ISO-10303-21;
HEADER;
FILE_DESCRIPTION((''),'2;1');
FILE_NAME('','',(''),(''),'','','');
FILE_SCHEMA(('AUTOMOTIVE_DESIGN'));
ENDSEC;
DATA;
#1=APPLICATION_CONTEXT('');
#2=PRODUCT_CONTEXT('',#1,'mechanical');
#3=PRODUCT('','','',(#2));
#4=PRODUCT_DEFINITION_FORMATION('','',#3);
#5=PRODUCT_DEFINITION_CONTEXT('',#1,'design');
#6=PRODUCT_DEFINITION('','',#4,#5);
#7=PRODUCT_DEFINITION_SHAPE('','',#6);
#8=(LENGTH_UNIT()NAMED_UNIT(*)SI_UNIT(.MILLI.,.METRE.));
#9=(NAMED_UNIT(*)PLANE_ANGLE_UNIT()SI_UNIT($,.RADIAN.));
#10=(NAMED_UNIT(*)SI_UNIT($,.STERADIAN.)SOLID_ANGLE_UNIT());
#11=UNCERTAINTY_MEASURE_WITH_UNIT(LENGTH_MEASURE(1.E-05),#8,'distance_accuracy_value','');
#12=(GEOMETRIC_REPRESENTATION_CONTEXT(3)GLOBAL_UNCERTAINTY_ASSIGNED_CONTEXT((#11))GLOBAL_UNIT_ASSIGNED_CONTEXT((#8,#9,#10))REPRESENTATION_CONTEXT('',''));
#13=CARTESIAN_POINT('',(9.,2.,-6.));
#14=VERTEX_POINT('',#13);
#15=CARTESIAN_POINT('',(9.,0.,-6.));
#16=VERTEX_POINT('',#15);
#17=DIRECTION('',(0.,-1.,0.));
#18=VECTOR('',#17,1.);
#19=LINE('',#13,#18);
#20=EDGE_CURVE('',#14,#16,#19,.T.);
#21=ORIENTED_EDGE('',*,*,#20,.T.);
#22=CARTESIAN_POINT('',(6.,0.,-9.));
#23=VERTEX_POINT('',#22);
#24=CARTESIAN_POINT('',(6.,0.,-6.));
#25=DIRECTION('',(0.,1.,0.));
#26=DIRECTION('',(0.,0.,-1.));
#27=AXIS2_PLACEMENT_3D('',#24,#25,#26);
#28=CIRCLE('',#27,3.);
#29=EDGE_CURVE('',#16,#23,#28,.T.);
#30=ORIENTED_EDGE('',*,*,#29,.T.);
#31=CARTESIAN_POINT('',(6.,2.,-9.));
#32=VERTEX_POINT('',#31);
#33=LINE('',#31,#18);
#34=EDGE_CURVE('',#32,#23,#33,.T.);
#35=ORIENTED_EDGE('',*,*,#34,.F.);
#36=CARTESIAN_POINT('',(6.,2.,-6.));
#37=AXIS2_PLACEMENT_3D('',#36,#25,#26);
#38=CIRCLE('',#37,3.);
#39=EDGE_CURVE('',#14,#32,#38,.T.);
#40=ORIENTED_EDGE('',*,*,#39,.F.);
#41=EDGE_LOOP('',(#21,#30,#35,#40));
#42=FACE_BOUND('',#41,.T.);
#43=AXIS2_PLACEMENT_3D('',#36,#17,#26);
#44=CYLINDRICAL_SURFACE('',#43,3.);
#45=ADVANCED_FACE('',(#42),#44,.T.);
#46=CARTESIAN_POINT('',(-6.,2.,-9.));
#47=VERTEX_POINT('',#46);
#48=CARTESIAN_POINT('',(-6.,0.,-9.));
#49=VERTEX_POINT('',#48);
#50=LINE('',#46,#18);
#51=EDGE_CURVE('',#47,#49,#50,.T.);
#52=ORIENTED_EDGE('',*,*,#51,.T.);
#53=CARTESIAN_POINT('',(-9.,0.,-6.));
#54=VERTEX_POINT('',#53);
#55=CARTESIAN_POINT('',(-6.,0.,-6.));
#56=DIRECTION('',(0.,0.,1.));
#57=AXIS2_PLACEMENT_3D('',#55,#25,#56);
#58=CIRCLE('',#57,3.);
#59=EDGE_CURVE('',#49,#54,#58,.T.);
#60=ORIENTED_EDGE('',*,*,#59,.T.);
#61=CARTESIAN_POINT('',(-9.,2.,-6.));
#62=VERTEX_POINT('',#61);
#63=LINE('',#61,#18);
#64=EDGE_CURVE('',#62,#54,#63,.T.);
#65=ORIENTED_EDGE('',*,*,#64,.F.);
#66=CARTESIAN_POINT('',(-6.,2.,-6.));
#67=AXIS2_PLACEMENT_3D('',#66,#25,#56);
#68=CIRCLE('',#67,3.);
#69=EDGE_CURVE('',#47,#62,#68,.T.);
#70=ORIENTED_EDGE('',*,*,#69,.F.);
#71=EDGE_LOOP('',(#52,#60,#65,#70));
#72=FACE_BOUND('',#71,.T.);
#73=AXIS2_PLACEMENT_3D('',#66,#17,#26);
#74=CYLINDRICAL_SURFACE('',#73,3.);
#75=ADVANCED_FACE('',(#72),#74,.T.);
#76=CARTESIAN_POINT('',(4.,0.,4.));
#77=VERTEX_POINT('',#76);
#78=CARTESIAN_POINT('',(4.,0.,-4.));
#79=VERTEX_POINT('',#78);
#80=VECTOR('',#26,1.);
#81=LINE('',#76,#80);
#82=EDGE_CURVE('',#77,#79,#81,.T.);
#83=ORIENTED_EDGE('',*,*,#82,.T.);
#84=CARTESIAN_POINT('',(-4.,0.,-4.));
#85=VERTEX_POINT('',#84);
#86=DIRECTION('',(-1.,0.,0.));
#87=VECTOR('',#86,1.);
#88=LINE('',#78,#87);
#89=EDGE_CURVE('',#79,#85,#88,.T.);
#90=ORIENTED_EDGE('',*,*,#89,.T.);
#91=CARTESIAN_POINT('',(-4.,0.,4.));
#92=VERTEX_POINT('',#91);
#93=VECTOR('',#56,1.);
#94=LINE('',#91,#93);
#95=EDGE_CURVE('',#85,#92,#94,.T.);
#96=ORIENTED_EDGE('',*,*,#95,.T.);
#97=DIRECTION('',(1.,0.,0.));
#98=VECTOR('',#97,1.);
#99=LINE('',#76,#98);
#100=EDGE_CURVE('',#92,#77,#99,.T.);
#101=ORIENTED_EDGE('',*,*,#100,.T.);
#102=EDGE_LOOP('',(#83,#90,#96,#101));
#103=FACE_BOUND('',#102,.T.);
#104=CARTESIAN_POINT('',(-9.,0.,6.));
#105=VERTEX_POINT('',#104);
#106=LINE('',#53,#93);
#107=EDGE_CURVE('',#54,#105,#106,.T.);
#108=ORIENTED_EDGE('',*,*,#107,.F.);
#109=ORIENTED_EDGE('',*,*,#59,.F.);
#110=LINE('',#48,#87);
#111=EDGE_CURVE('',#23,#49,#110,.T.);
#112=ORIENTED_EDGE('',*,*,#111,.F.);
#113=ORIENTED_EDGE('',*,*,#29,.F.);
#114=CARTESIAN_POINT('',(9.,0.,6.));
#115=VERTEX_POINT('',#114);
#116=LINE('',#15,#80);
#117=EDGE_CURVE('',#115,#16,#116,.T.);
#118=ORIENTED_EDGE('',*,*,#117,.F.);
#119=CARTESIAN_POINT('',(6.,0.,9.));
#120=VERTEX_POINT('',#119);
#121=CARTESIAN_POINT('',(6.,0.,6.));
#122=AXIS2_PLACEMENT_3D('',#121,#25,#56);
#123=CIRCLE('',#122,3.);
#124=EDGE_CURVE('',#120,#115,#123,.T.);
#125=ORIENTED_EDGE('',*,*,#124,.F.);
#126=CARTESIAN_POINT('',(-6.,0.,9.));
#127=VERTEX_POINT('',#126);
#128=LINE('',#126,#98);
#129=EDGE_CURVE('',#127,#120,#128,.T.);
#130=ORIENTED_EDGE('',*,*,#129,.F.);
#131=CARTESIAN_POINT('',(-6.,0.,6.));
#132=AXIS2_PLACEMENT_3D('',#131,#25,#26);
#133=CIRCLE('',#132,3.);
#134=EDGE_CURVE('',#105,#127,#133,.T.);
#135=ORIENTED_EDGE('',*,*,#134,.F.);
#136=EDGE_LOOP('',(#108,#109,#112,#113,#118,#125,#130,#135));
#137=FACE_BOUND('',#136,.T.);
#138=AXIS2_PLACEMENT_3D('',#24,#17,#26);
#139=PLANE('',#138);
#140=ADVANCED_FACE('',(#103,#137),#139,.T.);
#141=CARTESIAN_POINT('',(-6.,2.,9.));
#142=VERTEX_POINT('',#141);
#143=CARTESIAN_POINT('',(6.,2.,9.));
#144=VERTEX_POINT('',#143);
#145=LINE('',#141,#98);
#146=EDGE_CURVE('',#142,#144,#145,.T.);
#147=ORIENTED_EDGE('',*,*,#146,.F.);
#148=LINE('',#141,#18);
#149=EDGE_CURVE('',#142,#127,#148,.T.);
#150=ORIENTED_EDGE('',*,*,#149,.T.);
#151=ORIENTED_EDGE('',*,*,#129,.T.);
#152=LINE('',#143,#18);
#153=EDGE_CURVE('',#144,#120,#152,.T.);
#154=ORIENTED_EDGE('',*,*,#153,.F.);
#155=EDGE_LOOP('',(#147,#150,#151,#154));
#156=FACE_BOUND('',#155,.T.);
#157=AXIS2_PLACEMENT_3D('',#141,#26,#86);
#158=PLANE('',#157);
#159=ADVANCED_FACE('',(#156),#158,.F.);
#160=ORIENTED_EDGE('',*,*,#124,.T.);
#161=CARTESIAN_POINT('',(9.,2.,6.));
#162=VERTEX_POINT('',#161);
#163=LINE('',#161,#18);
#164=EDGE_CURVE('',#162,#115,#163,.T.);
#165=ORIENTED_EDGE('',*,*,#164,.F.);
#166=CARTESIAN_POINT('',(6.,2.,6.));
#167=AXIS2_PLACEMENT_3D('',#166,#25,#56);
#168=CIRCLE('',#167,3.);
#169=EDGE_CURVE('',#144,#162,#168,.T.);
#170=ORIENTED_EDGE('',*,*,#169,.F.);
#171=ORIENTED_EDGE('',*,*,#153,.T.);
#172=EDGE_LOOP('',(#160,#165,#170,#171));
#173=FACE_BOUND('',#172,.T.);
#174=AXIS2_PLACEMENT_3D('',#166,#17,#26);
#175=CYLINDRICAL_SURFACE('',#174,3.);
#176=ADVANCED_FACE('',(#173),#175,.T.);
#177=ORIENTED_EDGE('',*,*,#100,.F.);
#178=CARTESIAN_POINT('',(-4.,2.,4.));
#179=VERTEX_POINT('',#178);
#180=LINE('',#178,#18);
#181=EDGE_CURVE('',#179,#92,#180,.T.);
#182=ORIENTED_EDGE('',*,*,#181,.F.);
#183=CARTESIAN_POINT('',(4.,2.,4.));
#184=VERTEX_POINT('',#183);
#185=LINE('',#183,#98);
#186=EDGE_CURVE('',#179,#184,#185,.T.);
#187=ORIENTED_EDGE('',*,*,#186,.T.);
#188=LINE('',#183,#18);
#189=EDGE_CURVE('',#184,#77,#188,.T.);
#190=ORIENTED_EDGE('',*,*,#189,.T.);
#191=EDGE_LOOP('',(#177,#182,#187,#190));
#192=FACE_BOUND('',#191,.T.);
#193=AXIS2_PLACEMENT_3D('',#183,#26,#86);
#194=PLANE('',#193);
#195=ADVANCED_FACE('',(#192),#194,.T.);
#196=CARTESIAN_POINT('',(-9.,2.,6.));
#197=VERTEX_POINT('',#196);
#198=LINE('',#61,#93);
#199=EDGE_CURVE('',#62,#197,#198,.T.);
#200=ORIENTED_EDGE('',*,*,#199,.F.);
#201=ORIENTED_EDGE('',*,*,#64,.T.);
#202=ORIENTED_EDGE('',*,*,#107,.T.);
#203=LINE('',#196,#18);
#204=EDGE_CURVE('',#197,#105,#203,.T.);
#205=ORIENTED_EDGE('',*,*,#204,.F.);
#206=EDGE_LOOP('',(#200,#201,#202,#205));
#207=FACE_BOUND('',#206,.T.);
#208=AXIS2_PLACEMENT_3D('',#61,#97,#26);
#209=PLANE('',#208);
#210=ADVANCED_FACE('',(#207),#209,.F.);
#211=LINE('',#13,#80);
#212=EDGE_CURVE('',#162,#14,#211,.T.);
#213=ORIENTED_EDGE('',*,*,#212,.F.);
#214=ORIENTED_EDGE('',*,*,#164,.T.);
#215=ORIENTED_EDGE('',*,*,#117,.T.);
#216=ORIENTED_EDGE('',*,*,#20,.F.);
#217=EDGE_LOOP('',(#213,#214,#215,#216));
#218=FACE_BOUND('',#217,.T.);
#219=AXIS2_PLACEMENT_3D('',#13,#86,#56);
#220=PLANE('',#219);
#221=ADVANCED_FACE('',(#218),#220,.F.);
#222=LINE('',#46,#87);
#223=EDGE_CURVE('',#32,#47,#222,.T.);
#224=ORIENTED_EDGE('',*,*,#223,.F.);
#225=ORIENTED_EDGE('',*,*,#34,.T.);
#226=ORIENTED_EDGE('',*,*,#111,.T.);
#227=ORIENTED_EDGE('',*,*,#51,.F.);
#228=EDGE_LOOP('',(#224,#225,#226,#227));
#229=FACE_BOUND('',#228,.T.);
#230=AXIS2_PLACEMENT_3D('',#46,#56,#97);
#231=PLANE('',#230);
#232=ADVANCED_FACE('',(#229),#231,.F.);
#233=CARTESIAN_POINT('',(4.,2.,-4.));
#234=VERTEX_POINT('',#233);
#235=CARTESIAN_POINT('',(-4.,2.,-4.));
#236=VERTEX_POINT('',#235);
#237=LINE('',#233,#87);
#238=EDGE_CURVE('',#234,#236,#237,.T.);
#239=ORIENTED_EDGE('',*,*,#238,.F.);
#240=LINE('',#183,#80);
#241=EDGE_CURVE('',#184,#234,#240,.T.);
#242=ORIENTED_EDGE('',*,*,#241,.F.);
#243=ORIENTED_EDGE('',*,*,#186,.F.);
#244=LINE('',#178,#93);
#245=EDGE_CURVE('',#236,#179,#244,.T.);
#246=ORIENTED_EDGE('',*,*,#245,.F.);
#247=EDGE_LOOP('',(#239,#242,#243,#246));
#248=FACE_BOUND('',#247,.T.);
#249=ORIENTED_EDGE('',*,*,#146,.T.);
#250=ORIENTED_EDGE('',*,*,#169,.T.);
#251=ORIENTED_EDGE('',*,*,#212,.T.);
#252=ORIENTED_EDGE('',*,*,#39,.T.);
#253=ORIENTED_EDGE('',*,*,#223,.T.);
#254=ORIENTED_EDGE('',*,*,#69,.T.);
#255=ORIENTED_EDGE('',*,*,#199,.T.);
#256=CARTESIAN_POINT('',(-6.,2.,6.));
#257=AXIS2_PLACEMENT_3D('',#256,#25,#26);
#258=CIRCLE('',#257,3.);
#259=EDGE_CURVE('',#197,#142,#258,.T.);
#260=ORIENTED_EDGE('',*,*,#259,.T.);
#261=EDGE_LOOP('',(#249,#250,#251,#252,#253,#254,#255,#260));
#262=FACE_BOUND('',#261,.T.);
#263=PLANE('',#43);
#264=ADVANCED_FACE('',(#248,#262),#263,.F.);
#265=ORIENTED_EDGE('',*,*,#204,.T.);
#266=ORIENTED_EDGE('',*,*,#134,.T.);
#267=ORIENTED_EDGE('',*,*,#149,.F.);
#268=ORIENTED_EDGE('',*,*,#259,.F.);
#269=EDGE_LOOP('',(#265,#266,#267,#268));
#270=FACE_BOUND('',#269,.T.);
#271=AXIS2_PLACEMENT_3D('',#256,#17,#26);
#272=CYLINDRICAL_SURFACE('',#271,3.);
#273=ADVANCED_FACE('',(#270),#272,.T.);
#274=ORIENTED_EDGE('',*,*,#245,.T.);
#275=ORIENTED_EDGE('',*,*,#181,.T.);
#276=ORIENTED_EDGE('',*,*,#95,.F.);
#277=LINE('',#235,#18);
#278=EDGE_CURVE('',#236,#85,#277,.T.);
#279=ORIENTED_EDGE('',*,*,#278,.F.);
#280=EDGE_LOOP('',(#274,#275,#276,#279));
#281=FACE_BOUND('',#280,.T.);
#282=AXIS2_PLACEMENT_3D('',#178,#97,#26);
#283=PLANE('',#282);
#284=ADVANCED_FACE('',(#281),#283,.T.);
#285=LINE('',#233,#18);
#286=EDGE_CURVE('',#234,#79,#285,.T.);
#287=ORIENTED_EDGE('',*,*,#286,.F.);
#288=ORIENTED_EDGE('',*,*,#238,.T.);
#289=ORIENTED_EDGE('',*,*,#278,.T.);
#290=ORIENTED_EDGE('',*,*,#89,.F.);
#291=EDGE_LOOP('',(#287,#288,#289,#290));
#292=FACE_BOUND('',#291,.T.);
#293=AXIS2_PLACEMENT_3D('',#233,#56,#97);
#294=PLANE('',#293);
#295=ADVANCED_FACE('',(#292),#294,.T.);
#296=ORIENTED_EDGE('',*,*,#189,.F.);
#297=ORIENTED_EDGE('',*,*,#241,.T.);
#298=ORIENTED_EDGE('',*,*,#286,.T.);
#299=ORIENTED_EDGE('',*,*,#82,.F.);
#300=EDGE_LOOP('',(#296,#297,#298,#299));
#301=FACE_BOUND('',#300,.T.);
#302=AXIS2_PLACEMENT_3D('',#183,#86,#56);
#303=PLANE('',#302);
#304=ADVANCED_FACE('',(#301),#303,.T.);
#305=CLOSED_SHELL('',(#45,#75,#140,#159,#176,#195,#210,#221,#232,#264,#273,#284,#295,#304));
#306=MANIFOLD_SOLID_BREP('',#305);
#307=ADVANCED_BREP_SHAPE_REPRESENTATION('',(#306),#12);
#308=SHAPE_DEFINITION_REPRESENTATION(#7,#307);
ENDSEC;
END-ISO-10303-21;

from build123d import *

# Parameters (mm, degrees)
SKETCH1_W           = 8
SKETCH1_H           = 8
BOSS_EXTRUDE1_DEPTH = 2


with BuildPart() as part:
    # Sketch1 → Boss-Extrude1 (new body)
    with BuildSketch(Plane(origin=(0, 0, 0), x_dir=(1, 0, 0), z_dir=(0, 1, 0))):
        with BuildLine():
            Line((-6, 9), (6, 9))
            ThreePointArc((6, 9), (8.121320344, 8.121320344), (9, 6))
            Line((9, 6), (9, -6))
            ThreePointArc((9, -6), (8.121320344, -8.121320344), (6, -9))
            Line((6, -9), (-6, -9))
            ThreePointArc((-6, -9), (-8.121320344, -8.121320344), (-9, -6))
            Line((-9, -6), (-9, 6))
            ThreePointArc((-9, 6), (-8.121320344, 8.121320344), (-6, 9))
        make_face()
        Rectangle(SKETCH1_W, SKETCH1_H, mode=Mode.SUBTRACT)
    extrude(amount=BOSS_EXTRUDE1_DEPTH)


solid = part.part
